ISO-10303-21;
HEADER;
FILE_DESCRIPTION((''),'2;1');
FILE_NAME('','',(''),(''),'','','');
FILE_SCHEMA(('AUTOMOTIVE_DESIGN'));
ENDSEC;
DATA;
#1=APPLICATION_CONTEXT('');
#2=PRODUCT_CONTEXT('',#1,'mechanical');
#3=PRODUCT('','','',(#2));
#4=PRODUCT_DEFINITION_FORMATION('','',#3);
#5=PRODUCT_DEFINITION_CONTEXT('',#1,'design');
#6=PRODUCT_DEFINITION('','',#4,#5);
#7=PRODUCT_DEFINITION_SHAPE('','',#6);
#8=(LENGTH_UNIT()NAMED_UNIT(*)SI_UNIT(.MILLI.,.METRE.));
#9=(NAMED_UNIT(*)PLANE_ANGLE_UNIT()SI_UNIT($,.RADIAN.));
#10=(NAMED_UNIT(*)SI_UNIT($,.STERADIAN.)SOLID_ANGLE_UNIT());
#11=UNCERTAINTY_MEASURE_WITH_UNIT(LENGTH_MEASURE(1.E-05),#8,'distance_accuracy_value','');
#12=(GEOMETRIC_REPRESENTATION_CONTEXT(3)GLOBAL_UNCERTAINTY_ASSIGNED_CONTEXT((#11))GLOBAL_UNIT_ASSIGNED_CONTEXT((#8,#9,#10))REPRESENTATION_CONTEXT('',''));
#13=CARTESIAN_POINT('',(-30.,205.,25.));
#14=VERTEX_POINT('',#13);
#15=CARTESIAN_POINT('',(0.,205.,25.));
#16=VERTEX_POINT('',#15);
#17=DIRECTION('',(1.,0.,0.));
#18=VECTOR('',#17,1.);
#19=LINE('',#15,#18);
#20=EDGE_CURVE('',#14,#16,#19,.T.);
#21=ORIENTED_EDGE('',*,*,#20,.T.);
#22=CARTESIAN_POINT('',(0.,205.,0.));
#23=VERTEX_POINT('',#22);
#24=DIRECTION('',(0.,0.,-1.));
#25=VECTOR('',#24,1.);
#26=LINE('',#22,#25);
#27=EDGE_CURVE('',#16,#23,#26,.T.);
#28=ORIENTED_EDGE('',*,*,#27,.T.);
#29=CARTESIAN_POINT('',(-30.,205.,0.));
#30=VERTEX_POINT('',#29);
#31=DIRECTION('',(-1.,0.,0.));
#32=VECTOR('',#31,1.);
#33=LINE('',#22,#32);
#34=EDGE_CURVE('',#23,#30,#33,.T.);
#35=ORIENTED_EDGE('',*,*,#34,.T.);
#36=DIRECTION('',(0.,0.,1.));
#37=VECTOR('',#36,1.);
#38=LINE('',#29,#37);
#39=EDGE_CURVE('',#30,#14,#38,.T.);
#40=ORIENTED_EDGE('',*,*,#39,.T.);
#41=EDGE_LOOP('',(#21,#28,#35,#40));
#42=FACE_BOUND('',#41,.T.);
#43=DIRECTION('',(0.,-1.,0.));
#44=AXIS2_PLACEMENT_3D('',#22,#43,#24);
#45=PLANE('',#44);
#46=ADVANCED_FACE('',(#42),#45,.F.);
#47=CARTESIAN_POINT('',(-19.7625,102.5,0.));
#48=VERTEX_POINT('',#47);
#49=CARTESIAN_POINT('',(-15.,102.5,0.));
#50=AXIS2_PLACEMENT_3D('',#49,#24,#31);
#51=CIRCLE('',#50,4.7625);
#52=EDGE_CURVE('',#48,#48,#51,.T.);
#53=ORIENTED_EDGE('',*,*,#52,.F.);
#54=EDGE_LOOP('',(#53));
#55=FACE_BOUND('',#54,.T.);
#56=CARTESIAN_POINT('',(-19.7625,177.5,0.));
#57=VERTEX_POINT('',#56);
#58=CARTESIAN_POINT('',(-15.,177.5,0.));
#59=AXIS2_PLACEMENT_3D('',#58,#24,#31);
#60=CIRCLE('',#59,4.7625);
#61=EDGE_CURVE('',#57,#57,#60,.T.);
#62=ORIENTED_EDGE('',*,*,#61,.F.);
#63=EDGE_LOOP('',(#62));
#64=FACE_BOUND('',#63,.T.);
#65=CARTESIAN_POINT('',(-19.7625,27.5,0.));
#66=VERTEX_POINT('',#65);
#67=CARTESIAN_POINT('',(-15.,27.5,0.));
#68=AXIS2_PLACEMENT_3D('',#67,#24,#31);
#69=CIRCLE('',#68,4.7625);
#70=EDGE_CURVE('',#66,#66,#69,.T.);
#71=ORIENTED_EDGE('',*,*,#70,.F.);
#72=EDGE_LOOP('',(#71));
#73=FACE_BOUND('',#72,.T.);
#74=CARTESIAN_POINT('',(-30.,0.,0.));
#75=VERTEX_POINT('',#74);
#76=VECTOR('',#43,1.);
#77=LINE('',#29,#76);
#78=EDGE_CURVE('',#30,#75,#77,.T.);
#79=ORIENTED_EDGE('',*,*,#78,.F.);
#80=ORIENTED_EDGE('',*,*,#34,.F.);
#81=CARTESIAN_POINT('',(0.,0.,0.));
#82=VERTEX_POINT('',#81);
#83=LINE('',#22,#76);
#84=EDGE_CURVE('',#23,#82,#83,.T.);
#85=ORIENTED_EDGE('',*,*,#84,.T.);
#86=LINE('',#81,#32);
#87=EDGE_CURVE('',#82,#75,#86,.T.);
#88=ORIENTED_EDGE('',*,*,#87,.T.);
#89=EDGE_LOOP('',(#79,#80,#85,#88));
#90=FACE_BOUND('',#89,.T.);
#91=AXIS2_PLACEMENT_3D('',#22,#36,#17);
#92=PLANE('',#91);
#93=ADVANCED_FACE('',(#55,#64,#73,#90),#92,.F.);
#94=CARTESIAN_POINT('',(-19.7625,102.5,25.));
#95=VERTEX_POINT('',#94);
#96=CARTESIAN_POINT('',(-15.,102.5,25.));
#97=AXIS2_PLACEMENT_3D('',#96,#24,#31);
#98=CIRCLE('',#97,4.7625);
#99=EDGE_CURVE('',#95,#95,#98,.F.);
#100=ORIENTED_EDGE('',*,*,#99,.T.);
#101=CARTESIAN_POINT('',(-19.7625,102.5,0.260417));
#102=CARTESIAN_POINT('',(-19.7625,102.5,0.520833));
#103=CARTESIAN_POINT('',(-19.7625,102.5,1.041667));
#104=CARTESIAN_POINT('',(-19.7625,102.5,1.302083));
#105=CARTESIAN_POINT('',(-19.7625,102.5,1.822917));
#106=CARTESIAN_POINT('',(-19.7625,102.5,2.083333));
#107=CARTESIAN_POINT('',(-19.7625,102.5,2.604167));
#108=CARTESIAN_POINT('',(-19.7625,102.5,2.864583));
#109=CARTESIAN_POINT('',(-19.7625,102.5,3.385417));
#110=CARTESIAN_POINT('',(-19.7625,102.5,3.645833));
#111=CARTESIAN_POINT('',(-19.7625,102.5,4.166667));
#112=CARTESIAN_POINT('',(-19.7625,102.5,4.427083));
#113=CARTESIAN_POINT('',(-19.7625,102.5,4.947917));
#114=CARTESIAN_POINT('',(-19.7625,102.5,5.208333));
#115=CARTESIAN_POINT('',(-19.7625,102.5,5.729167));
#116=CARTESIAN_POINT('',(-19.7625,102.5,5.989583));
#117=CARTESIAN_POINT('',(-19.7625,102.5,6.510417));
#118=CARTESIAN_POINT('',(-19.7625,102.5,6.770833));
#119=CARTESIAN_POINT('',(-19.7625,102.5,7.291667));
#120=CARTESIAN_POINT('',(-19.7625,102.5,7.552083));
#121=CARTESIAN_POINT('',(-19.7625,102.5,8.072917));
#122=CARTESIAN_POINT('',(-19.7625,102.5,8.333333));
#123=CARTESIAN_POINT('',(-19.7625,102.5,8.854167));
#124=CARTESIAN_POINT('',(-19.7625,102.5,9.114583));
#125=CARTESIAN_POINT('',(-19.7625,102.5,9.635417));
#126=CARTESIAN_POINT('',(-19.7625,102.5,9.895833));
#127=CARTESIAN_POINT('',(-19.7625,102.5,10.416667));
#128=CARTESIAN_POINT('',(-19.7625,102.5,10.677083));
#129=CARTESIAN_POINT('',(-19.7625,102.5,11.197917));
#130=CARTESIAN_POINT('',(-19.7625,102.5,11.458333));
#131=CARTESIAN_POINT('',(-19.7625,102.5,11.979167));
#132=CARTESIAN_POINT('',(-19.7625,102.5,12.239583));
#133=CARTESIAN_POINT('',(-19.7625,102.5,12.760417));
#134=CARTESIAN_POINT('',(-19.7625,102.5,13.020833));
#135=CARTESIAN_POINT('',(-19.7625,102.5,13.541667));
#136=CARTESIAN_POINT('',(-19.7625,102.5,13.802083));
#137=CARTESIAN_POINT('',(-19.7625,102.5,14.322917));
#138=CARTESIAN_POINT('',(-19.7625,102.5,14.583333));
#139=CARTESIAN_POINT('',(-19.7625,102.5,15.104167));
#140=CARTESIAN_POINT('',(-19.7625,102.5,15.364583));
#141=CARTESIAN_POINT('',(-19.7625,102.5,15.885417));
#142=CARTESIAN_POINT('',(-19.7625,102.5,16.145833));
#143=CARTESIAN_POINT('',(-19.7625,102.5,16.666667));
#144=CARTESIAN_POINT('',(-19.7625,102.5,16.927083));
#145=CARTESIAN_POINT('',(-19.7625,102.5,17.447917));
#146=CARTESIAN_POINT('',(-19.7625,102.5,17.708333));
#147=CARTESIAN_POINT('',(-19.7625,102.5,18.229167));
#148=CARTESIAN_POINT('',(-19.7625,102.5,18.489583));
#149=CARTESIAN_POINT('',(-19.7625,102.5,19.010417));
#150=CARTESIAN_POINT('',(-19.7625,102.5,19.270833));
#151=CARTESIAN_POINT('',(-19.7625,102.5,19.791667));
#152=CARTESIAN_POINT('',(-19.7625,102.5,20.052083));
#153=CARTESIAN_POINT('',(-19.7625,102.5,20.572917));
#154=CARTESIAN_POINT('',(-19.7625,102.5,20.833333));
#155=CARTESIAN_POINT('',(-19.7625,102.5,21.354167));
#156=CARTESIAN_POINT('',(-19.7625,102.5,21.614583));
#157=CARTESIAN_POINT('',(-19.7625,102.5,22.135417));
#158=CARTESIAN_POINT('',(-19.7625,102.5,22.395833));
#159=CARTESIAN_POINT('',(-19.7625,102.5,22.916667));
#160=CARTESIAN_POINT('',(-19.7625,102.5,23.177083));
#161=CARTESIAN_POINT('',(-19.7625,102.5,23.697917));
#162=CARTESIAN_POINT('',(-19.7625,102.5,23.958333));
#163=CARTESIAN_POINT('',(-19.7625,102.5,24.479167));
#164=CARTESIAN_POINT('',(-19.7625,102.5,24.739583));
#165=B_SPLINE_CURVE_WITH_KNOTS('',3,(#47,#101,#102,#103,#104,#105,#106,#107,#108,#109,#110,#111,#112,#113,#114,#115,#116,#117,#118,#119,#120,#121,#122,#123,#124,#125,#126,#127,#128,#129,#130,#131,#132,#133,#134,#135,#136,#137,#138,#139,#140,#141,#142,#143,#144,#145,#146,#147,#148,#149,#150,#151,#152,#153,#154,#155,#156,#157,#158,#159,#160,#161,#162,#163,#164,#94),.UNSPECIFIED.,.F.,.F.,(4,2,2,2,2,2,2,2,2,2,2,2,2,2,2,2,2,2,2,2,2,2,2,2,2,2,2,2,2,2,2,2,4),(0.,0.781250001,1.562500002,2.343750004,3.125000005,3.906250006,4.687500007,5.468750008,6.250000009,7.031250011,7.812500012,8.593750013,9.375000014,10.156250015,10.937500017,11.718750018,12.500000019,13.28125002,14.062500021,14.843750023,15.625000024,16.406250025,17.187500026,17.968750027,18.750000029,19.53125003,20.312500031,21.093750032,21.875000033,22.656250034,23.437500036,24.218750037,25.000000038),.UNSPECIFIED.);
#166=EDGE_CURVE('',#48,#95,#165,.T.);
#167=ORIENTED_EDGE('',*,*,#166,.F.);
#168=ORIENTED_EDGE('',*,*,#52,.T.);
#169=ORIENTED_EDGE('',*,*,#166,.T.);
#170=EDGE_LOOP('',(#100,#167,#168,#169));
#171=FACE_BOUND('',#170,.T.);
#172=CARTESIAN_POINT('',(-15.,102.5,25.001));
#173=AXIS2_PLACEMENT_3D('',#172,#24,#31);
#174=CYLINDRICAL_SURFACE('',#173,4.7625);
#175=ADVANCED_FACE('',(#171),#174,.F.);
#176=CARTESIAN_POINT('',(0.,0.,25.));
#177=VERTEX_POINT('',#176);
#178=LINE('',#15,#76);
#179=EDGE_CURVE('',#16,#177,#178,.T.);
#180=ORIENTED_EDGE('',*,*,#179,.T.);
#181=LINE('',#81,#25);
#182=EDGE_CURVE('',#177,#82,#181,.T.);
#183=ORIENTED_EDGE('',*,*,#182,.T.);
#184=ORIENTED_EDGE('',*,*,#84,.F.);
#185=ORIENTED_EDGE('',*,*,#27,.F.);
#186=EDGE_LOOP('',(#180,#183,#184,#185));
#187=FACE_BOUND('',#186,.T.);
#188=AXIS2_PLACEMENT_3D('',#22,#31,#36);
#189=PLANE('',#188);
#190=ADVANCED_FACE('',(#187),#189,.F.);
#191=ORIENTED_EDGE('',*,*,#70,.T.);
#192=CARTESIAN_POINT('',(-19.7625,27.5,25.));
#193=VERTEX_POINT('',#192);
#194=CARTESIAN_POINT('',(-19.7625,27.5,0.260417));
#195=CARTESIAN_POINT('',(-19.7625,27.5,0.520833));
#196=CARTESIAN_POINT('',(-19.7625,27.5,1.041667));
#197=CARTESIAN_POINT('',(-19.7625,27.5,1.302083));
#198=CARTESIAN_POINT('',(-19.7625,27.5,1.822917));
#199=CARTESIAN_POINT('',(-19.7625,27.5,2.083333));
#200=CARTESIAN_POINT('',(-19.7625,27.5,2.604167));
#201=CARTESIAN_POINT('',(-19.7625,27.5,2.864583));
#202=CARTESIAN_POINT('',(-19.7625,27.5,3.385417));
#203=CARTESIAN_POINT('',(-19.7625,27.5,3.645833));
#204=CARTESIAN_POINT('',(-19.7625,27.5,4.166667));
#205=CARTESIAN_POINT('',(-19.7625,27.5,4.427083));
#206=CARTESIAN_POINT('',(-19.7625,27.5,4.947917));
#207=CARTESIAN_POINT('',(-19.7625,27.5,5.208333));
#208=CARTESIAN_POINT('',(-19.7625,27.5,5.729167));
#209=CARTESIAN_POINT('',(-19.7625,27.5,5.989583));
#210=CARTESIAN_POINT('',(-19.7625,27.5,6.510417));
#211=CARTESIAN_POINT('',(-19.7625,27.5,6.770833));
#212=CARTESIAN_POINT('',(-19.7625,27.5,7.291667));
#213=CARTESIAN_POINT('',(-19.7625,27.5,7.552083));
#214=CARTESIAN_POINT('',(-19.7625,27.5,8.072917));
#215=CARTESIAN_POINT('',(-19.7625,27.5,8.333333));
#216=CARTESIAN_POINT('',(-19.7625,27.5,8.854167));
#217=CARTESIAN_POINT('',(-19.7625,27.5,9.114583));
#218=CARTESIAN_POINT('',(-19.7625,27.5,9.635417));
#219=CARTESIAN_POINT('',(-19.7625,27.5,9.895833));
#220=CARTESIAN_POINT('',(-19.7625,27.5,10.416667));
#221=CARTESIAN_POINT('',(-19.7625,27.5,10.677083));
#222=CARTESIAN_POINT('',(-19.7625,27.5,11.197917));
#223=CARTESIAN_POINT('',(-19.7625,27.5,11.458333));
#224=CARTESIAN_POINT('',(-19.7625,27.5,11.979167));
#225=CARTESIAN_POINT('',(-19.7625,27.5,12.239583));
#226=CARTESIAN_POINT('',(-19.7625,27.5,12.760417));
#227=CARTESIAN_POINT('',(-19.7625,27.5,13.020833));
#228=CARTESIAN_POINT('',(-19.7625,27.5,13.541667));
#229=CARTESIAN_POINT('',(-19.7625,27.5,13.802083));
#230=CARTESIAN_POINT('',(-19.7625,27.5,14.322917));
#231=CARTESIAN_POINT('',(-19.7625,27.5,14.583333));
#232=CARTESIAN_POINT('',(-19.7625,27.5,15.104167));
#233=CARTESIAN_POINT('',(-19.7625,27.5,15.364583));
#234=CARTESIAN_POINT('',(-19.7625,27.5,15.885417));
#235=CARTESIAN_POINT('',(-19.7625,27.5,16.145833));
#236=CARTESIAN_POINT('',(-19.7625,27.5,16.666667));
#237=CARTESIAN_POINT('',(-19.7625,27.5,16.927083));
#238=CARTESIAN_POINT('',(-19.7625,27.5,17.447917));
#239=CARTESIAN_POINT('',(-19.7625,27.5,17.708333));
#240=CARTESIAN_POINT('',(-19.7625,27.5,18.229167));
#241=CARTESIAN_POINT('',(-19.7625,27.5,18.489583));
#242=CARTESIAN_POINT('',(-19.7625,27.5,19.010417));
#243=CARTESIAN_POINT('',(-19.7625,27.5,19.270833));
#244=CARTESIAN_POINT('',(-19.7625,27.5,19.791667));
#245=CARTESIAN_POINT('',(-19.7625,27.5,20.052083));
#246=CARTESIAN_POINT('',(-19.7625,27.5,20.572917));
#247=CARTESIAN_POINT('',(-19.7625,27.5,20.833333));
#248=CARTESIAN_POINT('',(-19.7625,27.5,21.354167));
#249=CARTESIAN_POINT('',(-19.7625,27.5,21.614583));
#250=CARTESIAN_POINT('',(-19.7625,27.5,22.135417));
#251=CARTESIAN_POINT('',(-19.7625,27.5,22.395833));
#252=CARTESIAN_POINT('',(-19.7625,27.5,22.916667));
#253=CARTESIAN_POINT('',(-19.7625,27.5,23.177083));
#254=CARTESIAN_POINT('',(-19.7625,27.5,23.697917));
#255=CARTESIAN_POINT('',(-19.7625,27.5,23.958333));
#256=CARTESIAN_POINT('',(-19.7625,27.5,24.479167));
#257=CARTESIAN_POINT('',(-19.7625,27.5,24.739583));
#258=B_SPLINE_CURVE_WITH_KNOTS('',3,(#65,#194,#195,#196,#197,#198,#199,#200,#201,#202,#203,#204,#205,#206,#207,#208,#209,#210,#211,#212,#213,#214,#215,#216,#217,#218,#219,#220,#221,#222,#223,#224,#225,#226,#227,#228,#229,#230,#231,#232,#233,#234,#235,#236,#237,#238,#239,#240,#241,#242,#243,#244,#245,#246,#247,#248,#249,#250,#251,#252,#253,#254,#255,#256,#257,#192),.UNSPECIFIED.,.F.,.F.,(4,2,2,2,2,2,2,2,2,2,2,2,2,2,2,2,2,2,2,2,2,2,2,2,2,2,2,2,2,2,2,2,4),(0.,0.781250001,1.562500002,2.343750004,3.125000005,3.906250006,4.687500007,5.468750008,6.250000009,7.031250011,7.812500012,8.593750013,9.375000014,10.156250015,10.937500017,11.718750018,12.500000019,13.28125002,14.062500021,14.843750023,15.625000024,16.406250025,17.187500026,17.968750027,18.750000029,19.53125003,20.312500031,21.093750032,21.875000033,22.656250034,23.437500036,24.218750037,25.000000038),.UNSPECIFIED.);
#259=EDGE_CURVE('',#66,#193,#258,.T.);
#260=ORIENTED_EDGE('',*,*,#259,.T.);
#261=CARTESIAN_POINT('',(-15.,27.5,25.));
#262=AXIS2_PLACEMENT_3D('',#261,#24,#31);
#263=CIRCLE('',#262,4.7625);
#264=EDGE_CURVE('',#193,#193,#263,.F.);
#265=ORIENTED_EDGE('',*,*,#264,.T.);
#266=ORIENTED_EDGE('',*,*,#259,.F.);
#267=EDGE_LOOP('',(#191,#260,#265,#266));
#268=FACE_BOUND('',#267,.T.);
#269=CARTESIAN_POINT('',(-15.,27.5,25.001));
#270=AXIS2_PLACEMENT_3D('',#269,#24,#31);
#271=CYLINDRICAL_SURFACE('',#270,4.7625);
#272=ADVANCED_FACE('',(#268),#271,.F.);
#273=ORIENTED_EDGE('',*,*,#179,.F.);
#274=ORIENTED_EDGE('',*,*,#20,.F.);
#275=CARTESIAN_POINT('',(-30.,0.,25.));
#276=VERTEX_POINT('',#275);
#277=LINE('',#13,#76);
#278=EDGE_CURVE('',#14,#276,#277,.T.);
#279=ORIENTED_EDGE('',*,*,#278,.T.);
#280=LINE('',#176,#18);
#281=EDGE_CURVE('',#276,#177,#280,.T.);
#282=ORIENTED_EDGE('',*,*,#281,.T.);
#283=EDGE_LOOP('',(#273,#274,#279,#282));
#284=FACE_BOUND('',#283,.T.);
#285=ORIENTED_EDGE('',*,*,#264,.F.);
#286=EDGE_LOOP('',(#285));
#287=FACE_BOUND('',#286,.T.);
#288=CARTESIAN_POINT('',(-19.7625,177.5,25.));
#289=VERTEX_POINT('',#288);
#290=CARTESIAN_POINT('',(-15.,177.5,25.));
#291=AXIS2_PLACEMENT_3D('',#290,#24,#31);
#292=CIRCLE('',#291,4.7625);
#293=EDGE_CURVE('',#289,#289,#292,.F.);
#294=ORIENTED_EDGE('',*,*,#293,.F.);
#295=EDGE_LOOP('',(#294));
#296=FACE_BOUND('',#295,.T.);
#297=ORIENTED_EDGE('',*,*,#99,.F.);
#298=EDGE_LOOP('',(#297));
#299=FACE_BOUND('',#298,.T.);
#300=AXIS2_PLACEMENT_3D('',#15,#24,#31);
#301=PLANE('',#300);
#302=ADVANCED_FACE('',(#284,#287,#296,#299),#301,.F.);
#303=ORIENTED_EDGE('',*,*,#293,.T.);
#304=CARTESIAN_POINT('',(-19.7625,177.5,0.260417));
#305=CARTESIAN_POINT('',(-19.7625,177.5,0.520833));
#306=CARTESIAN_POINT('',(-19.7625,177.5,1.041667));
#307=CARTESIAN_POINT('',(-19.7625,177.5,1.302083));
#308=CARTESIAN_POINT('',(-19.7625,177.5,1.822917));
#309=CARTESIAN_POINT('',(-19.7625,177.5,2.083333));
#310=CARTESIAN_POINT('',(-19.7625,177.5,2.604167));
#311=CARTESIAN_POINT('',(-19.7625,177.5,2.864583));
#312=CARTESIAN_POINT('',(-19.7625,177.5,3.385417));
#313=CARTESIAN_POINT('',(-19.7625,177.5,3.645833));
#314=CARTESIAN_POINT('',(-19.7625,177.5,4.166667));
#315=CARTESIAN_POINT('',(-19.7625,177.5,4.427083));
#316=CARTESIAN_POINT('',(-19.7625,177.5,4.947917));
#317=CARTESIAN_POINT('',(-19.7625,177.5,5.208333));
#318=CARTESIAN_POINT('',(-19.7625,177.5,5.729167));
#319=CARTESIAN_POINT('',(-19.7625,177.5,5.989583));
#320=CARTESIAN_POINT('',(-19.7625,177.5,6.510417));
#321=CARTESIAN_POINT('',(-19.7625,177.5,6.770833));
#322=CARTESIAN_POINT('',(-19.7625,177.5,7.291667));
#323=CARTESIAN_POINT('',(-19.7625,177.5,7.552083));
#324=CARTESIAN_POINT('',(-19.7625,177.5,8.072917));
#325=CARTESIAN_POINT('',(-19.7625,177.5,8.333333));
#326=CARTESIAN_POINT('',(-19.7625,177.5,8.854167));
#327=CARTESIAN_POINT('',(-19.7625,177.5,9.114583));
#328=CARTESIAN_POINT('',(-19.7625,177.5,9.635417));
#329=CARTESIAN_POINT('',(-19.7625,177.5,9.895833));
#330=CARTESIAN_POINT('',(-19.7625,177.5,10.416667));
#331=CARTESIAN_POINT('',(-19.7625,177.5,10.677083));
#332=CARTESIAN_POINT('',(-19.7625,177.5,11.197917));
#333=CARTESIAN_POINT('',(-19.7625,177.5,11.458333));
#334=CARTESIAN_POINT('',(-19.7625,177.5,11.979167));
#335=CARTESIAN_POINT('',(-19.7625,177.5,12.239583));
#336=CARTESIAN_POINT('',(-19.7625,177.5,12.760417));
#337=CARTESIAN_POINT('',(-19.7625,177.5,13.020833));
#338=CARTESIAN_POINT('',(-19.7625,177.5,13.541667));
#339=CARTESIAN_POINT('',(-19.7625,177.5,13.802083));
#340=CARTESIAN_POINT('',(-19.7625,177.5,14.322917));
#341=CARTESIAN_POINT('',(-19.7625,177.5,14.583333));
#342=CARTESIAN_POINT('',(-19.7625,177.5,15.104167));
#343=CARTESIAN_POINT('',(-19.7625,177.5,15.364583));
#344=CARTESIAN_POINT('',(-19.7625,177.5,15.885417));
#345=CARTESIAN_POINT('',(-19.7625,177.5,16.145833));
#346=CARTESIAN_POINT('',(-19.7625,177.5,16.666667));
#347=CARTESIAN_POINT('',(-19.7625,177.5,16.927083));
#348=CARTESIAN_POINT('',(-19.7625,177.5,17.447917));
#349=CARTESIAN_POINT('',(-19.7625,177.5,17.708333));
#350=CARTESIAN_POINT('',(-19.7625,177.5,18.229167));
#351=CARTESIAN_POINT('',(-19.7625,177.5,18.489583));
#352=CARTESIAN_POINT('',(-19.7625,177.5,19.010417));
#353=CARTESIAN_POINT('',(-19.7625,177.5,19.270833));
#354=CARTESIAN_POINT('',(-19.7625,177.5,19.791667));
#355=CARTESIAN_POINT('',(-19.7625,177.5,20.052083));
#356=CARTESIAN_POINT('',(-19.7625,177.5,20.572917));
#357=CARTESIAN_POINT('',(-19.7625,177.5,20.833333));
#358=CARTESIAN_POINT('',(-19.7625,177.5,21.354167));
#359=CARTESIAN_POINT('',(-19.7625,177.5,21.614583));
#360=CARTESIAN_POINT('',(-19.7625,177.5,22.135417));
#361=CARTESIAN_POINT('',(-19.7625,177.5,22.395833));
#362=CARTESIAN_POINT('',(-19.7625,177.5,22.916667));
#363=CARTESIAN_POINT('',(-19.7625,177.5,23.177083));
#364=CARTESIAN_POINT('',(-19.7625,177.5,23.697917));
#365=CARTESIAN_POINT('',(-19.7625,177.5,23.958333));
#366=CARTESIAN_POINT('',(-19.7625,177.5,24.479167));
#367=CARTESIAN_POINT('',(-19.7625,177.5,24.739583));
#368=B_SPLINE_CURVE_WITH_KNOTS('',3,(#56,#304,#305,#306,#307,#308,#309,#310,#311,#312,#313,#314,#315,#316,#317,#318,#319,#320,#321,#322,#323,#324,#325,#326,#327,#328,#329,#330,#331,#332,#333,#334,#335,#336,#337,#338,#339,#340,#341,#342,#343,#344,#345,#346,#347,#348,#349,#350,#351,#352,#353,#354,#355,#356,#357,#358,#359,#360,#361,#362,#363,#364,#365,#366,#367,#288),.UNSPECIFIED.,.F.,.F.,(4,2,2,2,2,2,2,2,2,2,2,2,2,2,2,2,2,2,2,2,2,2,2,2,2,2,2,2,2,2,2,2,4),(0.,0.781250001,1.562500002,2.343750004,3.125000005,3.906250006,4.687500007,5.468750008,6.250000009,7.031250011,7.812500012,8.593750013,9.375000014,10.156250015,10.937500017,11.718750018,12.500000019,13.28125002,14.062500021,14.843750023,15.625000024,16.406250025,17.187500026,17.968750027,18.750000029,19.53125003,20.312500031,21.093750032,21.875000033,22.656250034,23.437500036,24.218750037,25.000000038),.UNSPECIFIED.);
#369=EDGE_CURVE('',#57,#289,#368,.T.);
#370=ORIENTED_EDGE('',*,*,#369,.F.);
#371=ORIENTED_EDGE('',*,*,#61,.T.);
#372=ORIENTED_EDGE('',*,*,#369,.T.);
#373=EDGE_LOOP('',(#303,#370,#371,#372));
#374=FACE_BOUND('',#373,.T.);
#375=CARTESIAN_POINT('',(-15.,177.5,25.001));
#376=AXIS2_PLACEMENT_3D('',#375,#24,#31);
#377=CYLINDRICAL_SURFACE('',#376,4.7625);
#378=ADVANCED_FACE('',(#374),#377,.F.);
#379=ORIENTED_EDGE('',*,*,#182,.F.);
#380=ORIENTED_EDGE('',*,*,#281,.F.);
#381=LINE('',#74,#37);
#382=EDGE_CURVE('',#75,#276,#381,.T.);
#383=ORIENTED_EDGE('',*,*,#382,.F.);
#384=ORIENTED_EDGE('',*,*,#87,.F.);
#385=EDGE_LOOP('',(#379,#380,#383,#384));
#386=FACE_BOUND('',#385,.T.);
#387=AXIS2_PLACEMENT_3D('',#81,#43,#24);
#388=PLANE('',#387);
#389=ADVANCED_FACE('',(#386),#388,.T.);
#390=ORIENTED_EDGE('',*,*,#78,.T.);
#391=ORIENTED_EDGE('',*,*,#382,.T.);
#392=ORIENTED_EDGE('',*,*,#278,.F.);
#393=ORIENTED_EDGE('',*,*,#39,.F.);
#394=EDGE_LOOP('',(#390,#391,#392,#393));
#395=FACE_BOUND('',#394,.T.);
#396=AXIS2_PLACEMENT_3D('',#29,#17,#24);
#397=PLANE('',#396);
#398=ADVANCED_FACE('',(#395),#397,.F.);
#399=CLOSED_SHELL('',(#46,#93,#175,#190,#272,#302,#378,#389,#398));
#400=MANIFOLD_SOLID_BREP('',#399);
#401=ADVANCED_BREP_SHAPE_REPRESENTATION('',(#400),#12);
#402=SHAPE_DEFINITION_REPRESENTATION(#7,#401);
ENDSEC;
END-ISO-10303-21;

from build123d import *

# Parameters (mm, degrees)
SKETCH1_W           = 29.999999944
SKETCH1_H           = 25.000000038
BOSS_EXTRUDE1_DEPTH = 204.999999956
CUT_EXTRUDE1_REACH  = 210.686
SKETCH3_R           = 4.7625


with BuildPart() as part:
    # Sketch1 → Boss-Extrude1 (new body)
    with BuildSketch(Plane(origin=(0, 0, 0), x_dir=(-1, 0, 0), z_dir=(0, 1, 0))):
        with Locations((14.999999972, 12.500000019)):
            Rectangle(SKETCH1_W, SKETCH1_H)
    extrude(amount=BOSS_EXTRUDE1_DEPTH)

    # Sketch3 → Cut-Extrude1 (cut, up to next)
    with BuildSketch(Plane(origin=(0, 0, 0), x_dir=(1, 0, 0), z_dir=(0, 0, -1)), mode=Mode.PRIVATE) as cut_extrude1_sk1:
        with Locations(Location((-14.999999972, -102.499999978, 0), (0, 0, 180))):
            Circle(SKETCH3_R)
    cut_extrude1_tool1 = extrude(cut_extrude1_sk1.sketch, amount=-CUT_EXTRUDE1_REACH, mode=Mode.PRIVATE) & part.part
    # Sketch3 → Cut-Extrude1 (cut, up to next)
    with BuildSketch(Plane(origin=(0, 0, 0), x_dir=(1, 0, 0), z_dir=(0, 0, -1)), mode=Mode.PRIVATE) as cut_extrude1_sk2:
        with Locations(Location((-14.999999972, -27.499999991, 0), (0, 0, 180))):
            Circle(SKETCH3_R)
    cut_extrude1_tool2 = extrude(cut_extrude1_sk2.sketch, amount=-CUT_EXTRUDE1_REACH, mode=Mode.PRIVATE) & part.part
    # Sketch3 → Cut-Extrude1 (cut, up to next)
    with BuildSketch(Plane(origin=(0, 0, 0), x_dir=(1, 0, 0), z_dir=(0, 0, -1)), mode=Mode.PRIVATE) as cut_extrude1_sk3:
        with Locations(Location((-14.999999972, -177.499999965, 0), (0, 0, 180))):
            Circle(SKETCH3_R)
    cut_extrude1_tool3 = extrude(cut_extrude1_sk3.sketch, amount=-CUT_EXTRUDE1_REACH, mode=Mode.PRIVATE) & part.part
    add(cut_extrude1_tool1.solids().sort_by_distance((-15, 102.5, 0))[0], mode=Mode.SUBTRACT)
    add(cut_extrude1_tool2.solids().sort_by_distance((-15, 27.5, 0))[0], mode=Mode.SUBTRACT)
    add(cut_extrude1_tool3.solids().sort_by_distance((-15, 177.5, 0))[0], mode=Mode.SUBTRACT)


solid = part.part
